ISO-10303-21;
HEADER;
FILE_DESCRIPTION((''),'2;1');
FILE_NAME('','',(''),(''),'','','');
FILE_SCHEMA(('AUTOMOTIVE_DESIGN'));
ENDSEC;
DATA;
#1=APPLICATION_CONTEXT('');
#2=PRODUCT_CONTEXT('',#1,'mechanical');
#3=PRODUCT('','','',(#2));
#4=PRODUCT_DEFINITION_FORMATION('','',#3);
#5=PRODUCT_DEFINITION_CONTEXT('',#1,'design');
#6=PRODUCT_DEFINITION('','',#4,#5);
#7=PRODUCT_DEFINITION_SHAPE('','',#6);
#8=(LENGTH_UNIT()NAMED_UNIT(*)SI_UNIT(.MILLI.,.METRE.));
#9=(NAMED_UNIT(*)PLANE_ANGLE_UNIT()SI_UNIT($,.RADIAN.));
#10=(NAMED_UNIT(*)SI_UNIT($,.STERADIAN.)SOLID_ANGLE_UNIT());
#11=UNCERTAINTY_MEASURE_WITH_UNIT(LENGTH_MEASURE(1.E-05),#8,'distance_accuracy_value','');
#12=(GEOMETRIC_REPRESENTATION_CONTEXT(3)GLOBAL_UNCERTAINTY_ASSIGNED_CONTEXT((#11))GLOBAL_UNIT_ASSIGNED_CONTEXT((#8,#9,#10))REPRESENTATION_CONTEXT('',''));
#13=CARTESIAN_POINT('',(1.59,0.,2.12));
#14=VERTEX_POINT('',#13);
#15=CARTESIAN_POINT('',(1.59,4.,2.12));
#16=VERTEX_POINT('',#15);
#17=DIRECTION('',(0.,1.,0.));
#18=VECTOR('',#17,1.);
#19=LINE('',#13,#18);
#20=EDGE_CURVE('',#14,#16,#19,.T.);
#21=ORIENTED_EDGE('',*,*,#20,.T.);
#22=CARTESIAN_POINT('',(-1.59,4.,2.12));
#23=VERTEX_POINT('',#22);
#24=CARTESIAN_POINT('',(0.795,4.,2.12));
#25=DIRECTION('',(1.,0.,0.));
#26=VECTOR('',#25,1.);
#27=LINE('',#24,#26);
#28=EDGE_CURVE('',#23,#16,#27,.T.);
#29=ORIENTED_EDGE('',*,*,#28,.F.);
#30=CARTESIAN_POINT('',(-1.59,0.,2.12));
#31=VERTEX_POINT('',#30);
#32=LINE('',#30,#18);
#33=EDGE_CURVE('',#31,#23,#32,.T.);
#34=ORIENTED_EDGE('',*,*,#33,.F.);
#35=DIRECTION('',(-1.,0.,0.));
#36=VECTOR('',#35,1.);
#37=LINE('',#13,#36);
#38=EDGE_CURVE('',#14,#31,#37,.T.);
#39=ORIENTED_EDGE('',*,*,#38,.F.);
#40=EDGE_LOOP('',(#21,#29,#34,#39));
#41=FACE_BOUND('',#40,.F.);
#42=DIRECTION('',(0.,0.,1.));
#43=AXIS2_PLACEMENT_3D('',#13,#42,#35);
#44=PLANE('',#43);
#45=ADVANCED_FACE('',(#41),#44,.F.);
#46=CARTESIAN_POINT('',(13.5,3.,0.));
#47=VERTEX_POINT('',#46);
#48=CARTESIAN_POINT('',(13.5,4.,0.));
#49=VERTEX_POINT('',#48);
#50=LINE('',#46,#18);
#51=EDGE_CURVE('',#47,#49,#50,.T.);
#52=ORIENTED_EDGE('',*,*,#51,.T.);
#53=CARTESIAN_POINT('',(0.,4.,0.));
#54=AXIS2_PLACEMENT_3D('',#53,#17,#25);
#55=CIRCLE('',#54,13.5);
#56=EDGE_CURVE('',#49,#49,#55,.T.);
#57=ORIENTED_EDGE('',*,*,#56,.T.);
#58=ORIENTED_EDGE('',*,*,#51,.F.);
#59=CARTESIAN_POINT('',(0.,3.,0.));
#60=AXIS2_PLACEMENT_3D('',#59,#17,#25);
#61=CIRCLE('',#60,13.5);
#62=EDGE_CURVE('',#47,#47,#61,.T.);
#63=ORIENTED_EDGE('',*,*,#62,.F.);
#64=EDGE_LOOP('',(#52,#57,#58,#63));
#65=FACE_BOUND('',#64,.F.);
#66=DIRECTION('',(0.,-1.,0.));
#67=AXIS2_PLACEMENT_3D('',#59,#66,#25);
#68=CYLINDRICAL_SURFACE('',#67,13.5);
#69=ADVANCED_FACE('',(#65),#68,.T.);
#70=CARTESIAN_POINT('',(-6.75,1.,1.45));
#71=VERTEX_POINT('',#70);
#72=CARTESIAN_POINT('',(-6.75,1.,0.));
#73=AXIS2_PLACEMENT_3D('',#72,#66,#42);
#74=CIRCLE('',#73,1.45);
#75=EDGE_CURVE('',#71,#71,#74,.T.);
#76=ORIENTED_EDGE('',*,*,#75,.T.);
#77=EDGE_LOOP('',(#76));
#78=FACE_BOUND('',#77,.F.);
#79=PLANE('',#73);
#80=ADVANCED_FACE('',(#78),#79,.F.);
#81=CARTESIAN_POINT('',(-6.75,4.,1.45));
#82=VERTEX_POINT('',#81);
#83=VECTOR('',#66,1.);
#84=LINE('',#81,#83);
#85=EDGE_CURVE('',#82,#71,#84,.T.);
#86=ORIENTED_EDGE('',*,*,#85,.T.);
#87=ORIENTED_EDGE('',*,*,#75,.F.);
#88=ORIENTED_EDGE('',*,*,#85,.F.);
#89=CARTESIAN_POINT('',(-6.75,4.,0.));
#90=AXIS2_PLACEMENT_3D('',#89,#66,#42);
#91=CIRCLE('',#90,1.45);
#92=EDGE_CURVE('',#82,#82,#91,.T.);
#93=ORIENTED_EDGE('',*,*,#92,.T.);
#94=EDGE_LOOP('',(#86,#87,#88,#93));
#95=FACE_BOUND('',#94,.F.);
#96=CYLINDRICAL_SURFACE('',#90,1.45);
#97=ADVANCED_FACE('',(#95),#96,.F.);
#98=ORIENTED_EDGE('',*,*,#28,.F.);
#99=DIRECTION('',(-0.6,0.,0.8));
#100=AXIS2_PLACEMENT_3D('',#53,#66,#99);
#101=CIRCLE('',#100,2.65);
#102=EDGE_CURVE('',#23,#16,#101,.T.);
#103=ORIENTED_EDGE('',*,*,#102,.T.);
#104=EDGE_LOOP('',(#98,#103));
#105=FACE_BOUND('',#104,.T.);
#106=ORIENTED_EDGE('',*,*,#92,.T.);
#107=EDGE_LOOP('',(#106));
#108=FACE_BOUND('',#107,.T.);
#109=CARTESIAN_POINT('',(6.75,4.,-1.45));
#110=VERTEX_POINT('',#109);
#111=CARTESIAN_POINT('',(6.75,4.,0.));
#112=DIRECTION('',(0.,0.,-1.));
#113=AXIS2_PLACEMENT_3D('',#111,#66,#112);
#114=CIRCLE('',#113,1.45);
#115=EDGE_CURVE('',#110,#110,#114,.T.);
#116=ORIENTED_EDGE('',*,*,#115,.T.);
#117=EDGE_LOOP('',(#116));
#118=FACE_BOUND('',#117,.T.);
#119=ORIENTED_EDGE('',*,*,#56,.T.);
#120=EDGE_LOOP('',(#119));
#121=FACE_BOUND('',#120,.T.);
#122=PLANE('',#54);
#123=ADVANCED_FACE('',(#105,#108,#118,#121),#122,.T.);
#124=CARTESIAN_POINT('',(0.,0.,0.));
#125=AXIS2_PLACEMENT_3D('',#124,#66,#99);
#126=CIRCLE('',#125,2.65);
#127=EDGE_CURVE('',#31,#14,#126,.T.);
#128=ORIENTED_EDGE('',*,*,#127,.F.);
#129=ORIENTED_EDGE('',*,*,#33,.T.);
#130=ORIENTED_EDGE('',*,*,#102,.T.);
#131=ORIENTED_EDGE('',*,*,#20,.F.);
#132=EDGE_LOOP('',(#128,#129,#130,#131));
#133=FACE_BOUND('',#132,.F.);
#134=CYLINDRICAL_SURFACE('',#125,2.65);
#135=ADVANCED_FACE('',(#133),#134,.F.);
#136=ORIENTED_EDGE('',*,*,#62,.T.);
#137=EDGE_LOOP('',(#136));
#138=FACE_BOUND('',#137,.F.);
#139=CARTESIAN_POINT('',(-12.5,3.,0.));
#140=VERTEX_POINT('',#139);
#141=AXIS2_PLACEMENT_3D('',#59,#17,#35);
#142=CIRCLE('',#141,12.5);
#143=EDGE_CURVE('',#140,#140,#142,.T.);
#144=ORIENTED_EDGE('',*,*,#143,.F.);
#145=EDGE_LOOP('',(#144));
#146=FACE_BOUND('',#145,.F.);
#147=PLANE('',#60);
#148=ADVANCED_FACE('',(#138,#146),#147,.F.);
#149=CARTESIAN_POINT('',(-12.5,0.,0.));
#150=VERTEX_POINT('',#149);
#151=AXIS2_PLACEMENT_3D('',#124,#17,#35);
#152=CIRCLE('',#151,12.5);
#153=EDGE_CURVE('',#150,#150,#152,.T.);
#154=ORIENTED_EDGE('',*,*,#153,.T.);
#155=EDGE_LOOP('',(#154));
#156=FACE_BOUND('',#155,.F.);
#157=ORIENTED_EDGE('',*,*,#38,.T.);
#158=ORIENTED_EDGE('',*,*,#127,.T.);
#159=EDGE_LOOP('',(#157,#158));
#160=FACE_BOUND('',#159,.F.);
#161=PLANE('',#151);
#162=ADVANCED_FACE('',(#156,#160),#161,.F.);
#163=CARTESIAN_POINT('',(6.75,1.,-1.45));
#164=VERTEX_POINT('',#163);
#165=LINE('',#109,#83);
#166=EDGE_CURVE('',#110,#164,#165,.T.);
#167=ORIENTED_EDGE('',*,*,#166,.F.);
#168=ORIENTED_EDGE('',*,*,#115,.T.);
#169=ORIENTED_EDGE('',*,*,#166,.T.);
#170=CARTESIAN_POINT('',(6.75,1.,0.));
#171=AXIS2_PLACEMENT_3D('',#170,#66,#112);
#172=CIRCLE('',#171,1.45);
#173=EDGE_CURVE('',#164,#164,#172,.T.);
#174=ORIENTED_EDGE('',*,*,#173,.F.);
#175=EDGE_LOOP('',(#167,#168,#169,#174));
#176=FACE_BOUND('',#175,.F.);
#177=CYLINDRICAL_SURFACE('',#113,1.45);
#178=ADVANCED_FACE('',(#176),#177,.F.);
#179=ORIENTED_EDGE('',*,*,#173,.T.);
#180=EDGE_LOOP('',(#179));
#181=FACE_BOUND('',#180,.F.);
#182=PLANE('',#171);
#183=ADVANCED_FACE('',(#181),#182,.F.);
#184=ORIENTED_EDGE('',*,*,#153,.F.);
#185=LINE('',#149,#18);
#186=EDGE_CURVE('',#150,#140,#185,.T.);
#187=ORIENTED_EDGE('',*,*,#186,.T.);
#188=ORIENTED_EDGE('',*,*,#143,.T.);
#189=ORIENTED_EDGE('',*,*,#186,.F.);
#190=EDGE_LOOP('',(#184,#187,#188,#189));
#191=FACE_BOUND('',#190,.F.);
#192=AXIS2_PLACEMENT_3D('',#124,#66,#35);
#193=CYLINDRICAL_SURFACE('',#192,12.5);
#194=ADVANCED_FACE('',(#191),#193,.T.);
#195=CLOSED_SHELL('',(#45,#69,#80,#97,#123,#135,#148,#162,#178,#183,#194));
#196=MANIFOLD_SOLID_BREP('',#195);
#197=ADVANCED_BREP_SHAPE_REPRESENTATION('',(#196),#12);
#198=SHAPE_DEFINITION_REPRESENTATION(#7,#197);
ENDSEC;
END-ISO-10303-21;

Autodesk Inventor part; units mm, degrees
ref_plane "YZ Plane" through (0, 0, 0) normal (1, 0, 0) x (0, 1, 0)
ref_plane "XZ Plane" through (0, 0, 0) normal (0, 1, 0) x (-1, 0, 0)
ref_plane "XY Plane" through (0, 0, 0) normal (0, 0, 1) x (1, 0, 0)
sketch "Szkic1" plane through (0, 0, 0) normal (0, 1, 0) x (-1, 0, 0)
  circle A0 centre (0, 0) radius 12.5
  dimension "d0" = 25
extrude "Wyciągnięcie proste1" add sketch "Szkic1" along normal blind 3
sketch "Szkic6" plane through (0, 3, 0) normal (0, 1, 0) x (1, 0, 0)
  circle A0 centre (0, 0) radius 13.5
  dimension "d13" = 27
extrude "Wyciągnięcie proste5" add sketch "Szkic6" along normal blind 1
sketch "Szkic7" plane through (0, 4, 0) normal (0, 1, 0) x (1, 0, 0)
  point P0 (0, 0)
  point P1 (-6.75, 0)
  dimension "d16" = 6.75
hole "Otwór1" at (-6.75, 4, 0) direction (0, -1, 0) diameter 2.9 depth 3
pattern_circular "Szyk kołowy1" count 2 over 360 about axis through (0, 3, 0) along (0, 1, 0) of "Otwór1"
sketch "Szkic8" plane through (0, 0, 0) normal (0, -1, 0) x (1, 0, 0)
  arc A0 (-1.59, 2.12) -> (1.59, 2.12) centre (0, 0) ccw
  line L0 (1.59, 2.12) -> (-1.59, 2.12)
  dimension "d27" = 5.3
extrude "Wyciągnięcie proste6" cut sketch "Szkic8" against normal through all
properties part number "_Drukowanie 3D"
